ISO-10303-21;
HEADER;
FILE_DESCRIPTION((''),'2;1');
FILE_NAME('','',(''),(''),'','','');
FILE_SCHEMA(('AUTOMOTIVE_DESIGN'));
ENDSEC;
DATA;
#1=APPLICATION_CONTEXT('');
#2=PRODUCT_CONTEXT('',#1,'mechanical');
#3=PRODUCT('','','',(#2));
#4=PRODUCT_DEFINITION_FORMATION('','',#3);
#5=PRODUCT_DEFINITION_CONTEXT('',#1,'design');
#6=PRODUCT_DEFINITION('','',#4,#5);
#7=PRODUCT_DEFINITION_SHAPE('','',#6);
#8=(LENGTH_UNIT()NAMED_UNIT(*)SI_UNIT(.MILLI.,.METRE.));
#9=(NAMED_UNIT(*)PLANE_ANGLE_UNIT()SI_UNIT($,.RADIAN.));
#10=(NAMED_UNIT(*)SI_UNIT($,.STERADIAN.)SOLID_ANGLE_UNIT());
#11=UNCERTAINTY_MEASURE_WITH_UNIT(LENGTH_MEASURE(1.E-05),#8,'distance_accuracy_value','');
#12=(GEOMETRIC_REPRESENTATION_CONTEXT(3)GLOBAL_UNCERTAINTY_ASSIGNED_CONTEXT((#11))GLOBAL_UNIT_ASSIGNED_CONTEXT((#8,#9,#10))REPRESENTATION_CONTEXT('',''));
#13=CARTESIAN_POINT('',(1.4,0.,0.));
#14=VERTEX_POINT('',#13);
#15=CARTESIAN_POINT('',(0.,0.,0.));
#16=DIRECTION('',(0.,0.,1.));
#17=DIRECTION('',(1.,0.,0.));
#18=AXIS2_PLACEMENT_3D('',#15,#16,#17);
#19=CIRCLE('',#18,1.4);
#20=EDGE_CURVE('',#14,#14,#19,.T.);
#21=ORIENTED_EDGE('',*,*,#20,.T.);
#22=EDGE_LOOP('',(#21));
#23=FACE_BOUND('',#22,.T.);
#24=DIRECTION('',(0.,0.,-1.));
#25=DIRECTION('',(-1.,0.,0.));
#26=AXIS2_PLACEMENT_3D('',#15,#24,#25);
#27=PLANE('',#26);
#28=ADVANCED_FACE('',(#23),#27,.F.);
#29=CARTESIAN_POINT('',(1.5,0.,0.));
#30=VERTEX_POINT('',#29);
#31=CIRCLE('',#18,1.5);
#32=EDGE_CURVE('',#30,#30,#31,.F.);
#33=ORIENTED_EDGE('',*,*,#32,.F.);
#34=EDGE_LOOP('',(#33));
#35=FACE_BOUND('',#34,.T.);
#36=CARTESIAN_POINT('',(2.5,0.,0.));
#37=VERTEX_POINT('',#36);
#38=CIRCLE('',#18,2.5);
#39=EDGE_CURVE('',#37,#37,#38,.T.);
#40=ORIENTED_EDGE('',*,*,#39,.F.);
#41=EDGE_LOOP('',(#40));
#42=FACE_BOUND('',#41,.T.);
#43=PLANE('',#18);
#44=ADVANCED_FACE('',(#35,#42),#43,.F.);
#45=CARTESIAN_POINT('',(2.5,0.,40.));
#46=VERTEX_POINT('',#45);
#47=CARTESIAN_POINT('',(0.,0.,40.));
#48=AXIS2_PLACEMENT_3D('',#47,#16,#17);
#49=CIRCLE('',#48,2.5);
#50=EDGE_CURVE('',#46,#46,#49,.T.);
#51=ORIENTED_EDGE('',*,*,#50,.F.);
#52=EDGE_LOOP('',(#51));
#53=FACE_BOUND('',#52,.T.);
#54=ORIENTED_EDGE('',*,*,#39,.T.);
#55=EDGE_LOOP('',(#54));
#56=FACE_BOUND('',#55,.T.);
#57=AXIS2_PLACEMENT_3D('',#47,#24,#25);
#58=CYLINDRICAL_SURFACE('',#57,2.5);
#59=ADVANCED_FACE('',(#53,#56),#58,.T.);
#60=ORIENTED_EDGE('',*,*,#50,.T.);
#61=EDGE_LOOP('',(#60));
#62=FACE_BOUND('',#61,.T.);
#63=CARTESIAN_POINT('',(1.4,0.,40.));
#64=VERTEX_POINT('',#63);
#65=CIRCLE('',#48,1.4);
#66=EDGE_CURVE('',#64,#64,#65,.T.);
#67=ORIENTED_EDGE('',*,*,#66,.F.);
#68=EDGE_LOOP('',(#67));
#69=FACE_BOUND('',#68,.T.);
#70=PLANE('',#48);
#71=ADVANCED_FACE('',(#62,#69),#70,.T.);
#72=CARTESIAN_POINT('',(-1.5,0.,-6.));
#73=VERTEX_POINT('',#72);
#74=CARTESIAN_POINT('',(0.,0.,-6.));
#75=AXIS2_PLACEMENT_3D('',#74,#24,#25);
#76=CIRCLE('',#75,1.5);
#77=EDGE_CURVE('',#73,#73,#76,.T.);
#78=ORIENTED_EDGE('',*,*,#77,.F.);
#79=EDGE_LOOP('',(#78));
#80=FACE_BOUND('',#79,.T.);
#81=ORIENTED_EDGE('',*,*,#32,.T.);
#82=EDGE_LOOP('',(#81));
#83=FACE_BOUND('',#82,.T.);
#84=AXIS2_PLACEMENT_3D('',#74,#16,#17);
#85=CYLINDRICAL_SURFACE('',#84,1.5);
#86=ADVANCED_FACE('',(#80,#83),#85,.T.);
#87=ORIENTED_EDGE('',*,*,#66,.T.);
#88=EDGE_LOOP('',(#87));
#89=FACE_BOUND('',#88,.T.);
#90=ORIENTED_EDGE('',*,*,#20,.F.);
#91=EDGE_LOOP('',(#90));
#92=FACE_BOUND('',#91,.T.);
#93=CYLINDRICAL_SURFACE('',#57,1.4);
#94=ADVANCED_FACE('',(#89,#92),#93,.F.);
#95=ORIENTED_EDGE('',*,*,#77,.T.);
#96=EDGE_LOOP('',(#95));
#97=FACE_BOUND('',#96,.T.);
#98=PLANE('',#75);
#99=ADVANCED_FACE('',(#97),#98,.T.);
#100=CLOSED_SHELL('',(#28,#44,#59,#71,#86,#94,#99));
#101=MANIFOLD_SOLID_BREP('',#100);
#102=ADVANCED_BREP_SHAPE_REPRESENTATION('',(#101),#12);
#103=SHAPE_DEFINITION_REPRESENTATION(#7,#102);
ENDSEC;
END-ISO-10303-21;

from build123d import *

# Parameters (mm, degrees)
SKETCH_1_R      = 2.5
SKETCH_1_R_2    = 1.4
EXTRUDE_1_DEPTH = 40
SKETCH_2_R      = 1.5
EXTRUDE_2_DEPTH = 6


with BuildPart() as part:
    # 草图1 → 凸台-拉伸1 (new body)
    with BuildSketch(Plane.XY):
        Circle(SKETCH_1_R)
        Circle(SKETCH_1_R_2, mode=Mode.SUBTRACT)
    extrude(amount=EXTRUDE_1_DEPTH)

    # 草图2 → 凸台-拉伸2 (add)
    with BuildSketch(Plane(origin=(0, 0, 0), x_dir=(-1, 0, 0), z_dir=(0, 0, -1))):
        with Locations(Location((0, 0, 0), (0, 0, 180))):
            Circle(SKETCH_2_R)
    extrude(amount=EXTRUDE_2_DEPTH)


solid = part.part
